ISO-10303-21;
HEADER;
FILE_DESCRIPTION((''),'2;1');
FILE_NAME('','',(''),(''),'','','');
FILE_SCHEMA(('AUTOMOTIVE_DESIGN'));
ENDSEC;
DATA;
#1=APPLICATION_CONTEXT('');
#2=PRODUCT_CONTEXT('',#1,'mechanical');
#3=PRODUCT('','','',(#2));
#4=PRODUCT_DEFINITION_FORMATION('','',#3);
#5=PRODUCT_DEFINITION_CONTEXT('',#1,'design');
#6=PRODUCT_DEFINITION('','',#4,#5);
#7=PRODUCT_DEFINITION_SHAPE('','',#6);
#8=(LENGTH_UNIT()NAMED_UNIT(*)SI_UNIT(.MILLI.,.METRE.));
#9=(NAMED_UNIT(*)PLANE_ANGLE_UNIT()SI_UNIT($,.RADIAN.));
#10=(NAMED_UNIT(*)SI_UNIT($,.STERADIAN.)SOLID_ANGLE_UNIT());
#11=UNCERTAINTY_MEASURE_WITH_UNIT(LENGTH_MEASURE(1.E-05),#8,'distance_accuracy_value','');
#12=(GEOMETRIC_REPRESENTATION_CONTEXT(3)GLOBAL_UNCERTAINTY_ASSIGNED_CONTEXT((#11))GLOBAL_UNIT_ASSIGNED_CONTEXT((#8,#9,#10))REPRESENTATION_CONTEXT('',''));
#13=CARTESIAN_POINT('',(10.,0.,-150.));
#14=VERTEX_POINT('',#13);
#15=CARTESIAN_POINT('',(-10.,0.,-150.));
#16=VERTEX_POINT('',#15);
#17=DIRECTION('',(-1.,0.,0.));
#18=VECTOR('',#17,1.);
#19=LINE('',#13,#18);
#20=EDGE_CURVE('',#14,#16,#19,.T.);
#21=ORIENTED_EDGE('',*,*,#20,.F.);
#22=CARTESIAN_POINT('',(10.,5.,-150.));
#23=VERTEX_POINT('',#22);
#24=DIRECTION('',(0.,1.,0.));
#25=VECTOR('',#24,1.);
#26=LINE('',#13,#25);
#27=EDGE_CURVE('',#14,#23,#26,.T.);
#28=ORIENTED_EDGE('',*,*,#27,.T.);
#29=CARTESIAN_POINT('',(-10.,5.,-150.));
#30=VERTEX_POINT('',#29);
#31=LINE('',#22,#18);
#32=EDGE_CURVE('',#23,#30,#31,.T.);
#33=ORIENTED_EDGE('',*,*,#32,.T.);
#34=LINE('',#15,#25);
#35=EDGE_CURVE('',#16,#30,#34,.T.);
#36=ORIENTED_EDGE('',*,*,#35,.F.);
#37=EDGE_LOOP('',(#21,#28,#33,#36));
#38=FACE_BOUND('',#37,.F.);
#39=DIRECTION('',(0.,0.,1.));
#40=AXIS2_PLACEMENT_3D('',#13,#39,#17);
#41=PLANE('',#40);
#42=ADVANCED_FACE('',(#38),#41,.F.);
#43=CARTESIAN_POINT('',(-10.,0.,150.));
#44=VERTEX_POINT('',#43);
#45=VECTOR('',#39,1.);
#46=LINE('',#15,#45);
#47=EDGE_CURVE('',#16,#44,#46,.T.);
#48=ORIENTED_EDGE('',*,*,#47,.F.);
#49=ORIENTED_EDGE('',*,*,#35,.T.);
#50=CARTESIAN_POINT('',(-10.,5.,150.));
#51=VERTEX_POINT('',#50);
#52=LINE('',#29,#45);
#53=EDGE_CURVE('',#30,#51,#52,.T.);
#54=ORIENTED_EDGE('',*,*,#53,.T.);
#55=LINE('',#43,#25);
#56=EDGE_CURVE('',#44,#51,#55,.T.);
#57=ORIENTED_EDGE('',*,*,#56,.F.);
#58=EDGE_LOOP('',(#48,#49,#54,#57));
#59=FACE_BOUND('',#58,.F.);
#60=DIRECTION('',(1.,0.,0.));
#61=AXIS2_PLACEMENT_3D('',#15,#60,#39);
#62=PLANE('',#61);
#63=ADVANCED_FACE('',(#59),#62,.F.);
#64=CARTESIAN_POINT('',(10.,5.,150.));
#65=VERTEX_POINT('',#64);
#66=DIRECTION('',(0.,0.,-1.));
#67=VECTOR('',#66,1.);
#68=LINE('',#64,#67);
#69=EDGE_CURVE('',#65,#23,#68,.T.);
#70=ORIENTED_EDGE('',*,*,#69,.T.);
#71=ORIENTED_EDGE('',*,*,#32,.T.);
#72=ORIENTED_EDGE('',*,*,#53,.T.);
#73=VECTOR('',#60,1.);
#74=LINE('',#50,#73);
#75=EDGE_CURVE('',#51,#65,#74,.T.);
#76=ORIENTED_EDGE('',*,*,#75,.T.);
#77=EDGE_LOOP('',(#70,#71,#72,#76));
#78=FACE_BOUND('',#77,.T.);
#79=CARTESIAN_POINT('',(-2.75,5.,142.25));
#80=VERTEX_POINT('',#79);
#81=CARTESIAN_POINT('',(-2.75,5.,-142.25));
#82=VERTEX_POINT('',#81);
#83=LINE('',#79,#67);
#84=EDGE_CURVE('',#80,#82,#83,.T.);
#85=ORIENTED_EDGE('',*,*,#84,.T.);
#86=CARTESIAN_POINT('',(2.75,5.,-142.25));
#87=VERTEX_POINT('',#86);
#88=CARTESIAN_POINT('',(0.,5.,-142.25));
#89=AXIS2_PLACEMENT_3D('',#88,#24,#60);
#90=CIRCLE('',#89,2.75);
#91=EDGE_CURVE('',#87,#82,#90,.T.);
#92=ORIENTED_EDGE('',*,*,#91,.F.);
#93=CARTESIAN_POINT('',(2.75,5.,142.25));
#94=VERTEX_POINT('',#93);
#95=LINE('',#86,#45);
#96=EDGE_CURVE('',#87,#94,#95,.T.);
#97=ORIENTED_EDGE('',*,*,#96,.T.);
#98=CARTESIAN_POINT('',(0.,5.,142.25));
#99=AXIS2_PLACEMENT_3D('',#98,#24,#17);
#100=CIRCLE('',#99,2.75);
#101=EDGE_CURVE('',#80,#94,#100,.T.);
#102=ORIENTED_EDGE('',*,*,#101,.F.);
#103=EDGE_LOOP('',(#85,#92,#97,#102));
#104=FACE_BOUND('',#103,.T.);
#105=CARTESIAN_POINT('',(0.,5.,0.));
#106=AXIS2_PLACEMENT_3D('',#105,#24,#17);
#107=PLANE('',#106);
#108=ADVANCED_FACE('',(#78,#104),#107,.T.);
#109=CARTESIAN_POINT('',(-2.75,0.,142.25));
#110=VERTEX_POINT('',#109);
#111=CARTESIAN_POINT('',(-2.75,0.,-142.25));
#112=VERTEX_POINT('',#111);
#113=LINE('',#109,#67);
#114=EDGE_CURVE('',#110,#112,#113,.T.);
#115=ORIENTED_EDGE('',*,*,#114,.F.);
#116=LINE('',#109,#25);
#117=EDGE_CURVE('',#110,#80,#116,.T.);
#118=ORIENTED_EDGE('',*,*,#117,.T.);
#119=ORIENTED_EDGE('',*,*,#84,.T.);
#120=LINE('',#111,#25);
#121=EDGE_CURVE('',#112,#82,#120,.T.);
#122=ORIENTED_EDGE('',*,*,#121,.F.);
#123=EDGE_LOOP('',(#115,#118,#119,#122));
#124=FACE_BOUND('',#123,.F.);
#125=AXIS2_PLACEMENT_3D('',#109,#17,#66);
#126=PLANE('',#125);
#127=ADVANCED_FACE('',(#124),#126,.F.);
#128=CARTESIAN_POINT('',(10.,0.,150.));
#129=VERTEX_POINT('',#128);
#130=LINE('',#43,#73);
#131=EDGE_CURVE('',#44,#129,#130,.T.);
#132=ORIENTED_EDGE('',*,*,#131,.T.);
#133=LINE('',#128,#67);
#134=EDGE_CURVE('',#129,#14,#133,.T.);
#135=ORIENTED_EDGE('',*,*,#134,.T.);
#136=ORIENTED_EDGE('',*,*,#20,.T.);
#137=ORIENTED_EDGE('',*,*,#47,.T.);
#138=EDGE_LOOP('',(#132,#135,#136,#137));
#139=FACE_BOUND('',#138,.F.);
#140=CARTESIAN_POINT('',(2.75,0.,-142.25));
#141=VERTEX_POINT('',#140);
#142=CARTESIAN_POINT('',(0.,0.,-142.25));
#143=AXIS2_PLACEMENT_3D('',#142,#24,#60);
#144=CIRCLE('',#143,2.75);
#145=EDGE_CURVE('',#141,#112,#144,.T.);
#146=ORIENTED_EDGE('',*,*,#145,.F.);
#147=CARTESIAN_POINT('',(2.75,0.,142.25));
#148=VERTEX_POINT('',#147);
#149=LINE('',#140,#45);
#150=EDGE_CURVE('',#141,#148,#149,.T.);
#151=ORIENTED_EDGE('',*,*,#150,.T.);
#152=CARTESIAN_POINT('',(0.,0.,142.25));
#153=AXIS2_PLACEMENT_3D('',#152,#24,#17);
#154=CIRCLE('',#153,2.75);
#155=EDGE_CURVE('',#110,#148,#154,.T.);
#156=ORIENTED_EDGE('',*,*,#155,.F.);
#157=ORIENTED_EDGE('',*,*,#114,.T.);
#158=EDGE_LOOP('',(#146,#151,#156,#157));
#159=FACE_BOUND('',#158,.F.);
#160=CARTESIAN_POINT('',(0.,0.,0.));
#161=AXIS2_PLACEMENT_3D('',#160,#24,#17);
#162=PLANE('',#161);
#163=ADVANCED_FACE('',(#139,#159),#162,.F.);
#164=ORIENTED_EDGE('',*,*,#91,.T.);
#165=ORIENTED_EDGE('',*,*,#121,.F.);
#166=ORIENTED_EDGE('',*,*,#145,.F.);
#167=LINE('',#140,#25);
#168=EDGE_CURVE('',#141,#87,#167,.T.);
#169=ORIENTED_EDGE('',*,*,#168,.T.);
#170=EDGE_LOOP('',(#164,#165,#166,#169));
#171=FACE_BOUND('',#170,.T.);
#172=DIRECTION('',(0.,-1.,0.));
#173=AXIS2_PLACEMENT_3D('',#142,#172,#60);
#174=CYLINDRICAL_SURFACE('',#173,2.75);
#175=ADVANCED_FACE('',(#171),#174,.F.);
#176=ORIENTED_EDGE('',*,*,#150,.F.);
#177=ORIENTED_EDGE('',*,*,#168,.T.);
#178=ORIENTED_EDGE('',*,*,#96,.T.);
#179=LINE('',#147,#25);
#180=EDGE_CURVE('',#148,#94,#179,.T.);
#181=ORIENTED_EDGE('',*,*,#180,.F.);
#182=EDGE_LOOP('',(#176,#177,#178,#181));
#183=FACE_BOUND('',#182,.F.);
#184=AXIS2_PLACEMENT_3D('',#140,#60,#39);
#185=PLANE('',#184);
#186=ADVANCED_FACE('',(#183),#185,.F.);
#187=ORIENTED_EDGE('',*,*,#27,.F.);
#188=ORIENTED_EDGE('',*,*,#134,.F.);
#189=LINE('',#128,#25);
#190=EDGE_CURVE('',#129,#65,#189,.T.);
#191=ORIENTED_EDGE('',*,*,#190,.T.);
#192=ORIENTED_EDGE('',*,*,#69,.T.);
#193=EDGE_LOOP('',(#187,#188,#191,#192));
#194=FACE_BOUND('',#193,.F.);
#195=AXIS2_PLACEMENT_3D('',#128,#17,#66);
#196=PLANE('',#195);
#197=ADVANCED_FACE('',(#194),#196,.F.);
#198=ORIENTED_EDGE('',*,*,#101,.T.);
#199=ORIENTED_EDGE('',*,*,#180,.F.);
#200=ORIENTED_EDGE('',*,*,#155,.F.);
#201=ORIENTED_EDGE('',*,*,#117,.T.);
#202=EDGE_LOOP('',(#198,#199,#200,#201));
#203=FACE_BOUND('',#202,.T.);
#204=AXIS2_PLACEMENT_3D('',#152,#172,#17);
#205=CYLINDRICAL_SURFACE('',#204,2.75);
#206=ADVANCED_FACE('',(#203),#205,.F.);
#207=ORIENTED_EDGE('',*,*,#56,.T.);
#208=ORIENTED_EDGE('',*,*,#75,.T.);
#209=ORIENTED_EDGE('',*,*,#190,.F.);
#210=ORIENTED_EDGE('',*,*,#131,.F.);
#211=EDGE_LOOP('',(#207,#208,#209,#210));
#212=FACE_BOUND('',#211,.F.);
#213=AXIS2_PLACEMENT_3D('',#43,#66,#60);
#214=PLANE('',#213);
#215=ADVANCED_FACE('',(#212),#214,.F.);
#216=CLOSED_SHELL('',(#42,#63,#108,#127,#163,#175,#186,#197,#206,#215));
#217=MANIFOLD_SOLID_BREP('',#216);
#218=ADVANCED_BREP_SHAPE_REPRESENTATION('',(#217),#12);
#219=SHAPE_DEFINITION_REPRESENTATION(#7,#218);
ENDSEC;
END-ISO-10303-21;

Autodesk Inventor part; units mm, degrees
ref_plane "YZ Plane" through (0, 0, 0) normal (1, 0, 0) x (0, 1, 0)
ref_plane "XZ Plane" through (0, 0, 0) normal (0, 1, 0) x (-1, 0, 0)
ref_plane "XY Plane" through (0, 0, 0) normal (0, 0, 1) x (1, 0, 0)
sketch "Sketch1" plane through (0, 0, 0) normal (0, 1, 0) x (-1, 0, 0)
  line L0 (0, 142.25) -> (0, -142.25) construction
  line L1 (2.75, 142.25) -> (2.75, -142.25)
  line L2 (-2.75, -142.25) -> (-2.75, 142.25)
  arc A0 (2.75, 142.25) -> (-2.75, 142.25) centre (0, 142.25) ccw
  arc A1 (-2.75, -142.25) -> (2.75, -142.25) centre (0, -142.25) ccw
  line L3 (-10, -150) -> (10, -150)
  line L4 (10, -150) -> (10, 150)
  line L5 (10, 150) -> (-10, 150)
  line L6 (-10, 150) -> (-10, -150)
  line L7 (-10, -150) -> (10, 150) construction
  line L8 (10, -150) -> (-10, 150) construction
  point P0 (0, 0)
  point P1 (0, -145)
  point P2 (0, 145)
  dimension "d0" = 290
  dimension "d1" = 5.5
  dimension "d2" = 300
  dimension "d3" = 20
extrude "Extrusion1" add sketch "Sketch1" along normal blind 5
properties part number "XYarm" material "Wood (Birch)"
